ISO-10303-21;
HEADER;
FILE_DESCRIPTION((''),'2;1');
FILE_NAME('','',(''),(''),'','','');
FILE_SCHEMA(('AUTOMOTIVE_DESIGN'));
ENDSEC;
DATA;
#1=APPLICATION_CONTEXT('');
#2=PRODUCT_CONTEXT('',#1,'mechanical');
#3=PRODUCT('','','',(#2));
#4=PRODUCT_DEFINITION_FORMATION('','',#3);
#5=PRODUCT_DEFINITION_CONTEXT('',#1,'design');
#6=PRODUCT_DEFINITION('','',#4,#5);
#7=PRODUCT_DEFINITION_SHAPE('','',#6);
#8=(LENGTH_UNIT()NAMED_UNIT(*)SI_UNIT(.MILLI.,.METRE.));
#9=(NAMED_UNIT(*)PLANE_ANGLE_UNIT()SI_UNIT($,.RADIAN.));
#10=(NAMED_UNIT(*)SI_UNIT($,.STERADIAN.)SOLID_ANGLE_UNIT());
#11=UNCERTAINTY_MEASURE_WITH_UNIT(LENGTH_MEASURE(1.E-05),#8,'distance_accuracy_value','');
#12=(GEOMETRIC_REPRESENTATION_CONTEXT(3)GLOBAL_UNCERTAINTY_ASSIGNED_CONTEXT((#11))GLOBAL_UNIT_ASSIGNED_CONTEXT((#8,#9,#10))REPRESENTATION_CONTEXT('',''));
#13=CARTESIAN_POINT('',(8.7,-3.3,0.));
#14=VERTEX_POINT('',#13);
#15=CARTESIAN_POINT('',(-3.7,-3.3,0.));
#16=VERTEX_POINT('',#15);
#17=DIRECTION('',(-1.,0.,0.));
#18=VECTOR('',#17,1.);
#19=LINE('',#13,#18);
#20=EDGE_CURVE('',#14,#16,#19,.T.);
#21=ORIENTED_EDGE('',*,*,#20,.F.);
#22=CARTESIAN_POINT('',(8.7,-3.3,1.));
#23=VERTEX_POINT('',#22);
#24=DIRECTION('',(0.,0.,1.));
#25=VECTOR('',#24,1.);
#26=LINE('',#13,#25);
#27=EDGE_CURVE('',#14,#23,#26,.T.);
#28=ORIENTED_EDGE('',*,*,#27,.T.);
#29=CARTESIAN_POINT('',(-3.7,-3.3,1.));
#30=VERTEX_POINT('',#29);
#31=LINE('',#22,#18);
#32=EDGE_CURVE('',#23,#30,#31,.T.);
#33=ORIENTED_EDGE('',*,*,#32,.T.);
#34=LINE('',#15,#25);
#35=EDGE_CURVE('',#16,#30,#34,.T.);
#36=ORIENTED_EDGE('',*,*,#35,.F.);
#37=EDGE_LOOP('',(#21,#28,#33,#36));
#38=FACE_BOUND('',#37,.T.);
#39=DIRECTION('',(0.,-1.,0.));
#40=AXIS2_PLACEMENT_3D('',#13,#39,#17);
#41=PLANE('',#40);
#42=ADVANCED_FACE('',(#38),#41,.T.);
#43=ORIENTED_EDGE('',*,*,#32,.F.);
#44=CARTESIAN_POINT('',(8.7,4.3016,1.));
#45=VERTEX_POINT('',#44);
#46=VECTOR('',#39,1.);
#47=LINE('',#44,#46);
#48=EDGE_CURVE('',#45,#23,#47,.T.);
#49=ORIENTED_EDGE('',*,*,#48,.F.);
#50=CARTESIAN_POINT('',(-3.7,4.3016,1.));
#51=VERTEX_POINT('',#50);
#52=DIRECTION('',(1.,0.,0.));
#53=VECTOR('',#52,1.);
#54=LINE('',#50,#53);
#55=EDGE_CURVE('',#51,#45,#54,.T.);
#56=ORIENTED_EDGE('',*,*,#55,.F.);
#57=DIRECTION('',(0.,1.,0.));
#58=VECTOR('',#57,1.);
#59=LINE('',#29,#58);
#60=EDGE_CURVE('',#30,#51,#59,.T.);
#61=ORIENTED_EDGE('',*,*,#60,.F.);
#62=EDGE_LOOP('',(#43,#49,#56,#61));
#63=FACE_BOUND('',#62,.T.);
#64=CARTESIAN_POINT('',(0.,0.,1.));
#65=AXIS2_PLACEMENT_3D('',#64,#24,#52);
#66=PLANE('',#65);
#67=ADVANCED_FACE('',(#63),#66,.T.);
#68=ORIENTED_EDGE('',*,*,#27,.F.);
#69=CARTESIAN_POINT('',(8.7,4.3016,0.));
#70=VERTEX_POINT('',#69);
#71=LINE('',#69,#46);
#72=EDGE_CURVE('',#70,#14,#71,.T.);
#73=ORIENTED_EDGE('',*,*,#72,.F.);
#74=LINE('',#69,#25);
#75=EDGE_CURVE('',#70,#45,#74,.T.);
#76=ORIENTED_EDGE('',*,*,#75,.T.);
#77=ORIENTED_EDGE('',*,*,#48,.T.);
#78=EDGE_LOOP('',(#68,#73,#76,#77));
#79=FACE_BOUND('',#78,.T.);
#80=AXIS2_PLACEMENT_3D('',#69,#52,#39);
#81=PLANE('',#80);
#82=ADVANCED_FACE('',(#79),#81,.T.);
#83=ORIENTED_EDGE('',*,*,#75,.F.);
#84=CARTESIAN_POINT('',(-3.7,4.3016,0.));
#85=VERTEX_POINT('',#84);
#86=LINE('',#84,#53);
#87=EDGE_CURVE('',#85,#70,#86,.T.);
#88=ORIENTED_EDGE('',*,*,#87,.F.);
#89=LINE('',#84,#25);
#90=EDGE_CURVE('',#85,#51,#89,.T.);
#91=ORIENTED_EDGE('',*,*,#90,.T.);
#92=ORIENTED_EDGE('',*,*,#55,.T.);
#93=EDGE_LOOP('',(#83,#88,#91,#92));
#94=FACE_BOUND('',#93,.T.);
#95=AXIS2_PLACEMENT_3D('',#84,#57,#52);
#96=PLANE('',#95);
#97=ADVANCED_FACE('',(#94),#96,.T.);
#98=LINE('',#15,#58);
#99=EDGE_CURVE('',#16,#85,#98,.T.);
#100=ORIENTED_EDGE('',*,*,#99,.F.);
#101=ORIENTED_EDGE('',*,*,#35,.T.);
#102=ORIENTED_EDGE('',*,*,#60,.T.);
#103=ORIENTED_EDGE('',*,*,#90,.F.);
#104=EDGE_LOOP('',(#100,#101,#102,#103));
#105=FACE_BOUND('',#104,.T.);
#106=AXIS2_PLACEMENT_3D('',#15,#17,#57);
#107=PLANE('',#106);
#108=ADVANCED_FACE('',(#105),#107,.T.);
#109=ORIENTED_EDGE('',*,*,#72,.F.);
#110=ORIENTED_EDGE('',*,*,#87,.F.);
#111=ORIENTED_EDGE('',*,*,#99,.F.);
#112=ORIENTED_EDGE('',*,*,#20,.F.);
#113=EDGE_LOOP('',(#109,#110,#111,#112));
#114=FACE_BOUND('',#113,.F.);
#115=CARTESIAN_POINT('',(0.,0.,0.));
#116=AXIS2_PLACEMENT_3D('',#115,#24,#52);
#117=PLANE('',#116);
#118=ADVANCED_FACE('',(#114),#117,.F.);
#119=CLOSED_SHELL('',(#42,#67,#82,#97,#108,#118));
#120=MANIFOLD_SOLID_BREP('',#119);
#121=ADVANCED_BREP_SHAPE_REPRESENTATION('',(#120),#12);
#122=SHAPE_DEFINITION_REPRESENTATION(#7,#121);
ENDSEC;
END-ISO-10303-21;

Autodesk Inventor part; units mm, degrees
ref_plane "YZ Plane" through (0, 0, 0) normal (1, 0, 0) x (0, 1, 0)
ref_plane "XZ Plane" through (0, 0, 0) normal (0, 1, 0) x (-1, 0, 0)
ref_plane "XY Plane" through (0, 0, 0) normal (0, 0, 1) x (1, 0, 0)
sketch "SCREWTERMINAL-5MM-2, M3_SCREWTERMINAL-5MM-2_13" plane through (0, 0, 0) normal (0, 0, 1) x (1, 0, 0)
  line L0 (-3.7, 4.3016) -> (8.7, 4.3016)
  line L1 (8.7, 4.3016) -> (8.7, -3.3)
  line L2 (8.7, -3.3) -> (-3.7, -3.3)
  line L3 (-3.7, -3.3) -> (-3.7, 4.3016)
extrude "Extrusion1" add sketch "SCREWTERMINAL-5MM-2, M3_SCREWTERMINAL-5MM-2_13" along normal blind 1
properties part number "M3_SCREWTERMINAL-5MM-2"
